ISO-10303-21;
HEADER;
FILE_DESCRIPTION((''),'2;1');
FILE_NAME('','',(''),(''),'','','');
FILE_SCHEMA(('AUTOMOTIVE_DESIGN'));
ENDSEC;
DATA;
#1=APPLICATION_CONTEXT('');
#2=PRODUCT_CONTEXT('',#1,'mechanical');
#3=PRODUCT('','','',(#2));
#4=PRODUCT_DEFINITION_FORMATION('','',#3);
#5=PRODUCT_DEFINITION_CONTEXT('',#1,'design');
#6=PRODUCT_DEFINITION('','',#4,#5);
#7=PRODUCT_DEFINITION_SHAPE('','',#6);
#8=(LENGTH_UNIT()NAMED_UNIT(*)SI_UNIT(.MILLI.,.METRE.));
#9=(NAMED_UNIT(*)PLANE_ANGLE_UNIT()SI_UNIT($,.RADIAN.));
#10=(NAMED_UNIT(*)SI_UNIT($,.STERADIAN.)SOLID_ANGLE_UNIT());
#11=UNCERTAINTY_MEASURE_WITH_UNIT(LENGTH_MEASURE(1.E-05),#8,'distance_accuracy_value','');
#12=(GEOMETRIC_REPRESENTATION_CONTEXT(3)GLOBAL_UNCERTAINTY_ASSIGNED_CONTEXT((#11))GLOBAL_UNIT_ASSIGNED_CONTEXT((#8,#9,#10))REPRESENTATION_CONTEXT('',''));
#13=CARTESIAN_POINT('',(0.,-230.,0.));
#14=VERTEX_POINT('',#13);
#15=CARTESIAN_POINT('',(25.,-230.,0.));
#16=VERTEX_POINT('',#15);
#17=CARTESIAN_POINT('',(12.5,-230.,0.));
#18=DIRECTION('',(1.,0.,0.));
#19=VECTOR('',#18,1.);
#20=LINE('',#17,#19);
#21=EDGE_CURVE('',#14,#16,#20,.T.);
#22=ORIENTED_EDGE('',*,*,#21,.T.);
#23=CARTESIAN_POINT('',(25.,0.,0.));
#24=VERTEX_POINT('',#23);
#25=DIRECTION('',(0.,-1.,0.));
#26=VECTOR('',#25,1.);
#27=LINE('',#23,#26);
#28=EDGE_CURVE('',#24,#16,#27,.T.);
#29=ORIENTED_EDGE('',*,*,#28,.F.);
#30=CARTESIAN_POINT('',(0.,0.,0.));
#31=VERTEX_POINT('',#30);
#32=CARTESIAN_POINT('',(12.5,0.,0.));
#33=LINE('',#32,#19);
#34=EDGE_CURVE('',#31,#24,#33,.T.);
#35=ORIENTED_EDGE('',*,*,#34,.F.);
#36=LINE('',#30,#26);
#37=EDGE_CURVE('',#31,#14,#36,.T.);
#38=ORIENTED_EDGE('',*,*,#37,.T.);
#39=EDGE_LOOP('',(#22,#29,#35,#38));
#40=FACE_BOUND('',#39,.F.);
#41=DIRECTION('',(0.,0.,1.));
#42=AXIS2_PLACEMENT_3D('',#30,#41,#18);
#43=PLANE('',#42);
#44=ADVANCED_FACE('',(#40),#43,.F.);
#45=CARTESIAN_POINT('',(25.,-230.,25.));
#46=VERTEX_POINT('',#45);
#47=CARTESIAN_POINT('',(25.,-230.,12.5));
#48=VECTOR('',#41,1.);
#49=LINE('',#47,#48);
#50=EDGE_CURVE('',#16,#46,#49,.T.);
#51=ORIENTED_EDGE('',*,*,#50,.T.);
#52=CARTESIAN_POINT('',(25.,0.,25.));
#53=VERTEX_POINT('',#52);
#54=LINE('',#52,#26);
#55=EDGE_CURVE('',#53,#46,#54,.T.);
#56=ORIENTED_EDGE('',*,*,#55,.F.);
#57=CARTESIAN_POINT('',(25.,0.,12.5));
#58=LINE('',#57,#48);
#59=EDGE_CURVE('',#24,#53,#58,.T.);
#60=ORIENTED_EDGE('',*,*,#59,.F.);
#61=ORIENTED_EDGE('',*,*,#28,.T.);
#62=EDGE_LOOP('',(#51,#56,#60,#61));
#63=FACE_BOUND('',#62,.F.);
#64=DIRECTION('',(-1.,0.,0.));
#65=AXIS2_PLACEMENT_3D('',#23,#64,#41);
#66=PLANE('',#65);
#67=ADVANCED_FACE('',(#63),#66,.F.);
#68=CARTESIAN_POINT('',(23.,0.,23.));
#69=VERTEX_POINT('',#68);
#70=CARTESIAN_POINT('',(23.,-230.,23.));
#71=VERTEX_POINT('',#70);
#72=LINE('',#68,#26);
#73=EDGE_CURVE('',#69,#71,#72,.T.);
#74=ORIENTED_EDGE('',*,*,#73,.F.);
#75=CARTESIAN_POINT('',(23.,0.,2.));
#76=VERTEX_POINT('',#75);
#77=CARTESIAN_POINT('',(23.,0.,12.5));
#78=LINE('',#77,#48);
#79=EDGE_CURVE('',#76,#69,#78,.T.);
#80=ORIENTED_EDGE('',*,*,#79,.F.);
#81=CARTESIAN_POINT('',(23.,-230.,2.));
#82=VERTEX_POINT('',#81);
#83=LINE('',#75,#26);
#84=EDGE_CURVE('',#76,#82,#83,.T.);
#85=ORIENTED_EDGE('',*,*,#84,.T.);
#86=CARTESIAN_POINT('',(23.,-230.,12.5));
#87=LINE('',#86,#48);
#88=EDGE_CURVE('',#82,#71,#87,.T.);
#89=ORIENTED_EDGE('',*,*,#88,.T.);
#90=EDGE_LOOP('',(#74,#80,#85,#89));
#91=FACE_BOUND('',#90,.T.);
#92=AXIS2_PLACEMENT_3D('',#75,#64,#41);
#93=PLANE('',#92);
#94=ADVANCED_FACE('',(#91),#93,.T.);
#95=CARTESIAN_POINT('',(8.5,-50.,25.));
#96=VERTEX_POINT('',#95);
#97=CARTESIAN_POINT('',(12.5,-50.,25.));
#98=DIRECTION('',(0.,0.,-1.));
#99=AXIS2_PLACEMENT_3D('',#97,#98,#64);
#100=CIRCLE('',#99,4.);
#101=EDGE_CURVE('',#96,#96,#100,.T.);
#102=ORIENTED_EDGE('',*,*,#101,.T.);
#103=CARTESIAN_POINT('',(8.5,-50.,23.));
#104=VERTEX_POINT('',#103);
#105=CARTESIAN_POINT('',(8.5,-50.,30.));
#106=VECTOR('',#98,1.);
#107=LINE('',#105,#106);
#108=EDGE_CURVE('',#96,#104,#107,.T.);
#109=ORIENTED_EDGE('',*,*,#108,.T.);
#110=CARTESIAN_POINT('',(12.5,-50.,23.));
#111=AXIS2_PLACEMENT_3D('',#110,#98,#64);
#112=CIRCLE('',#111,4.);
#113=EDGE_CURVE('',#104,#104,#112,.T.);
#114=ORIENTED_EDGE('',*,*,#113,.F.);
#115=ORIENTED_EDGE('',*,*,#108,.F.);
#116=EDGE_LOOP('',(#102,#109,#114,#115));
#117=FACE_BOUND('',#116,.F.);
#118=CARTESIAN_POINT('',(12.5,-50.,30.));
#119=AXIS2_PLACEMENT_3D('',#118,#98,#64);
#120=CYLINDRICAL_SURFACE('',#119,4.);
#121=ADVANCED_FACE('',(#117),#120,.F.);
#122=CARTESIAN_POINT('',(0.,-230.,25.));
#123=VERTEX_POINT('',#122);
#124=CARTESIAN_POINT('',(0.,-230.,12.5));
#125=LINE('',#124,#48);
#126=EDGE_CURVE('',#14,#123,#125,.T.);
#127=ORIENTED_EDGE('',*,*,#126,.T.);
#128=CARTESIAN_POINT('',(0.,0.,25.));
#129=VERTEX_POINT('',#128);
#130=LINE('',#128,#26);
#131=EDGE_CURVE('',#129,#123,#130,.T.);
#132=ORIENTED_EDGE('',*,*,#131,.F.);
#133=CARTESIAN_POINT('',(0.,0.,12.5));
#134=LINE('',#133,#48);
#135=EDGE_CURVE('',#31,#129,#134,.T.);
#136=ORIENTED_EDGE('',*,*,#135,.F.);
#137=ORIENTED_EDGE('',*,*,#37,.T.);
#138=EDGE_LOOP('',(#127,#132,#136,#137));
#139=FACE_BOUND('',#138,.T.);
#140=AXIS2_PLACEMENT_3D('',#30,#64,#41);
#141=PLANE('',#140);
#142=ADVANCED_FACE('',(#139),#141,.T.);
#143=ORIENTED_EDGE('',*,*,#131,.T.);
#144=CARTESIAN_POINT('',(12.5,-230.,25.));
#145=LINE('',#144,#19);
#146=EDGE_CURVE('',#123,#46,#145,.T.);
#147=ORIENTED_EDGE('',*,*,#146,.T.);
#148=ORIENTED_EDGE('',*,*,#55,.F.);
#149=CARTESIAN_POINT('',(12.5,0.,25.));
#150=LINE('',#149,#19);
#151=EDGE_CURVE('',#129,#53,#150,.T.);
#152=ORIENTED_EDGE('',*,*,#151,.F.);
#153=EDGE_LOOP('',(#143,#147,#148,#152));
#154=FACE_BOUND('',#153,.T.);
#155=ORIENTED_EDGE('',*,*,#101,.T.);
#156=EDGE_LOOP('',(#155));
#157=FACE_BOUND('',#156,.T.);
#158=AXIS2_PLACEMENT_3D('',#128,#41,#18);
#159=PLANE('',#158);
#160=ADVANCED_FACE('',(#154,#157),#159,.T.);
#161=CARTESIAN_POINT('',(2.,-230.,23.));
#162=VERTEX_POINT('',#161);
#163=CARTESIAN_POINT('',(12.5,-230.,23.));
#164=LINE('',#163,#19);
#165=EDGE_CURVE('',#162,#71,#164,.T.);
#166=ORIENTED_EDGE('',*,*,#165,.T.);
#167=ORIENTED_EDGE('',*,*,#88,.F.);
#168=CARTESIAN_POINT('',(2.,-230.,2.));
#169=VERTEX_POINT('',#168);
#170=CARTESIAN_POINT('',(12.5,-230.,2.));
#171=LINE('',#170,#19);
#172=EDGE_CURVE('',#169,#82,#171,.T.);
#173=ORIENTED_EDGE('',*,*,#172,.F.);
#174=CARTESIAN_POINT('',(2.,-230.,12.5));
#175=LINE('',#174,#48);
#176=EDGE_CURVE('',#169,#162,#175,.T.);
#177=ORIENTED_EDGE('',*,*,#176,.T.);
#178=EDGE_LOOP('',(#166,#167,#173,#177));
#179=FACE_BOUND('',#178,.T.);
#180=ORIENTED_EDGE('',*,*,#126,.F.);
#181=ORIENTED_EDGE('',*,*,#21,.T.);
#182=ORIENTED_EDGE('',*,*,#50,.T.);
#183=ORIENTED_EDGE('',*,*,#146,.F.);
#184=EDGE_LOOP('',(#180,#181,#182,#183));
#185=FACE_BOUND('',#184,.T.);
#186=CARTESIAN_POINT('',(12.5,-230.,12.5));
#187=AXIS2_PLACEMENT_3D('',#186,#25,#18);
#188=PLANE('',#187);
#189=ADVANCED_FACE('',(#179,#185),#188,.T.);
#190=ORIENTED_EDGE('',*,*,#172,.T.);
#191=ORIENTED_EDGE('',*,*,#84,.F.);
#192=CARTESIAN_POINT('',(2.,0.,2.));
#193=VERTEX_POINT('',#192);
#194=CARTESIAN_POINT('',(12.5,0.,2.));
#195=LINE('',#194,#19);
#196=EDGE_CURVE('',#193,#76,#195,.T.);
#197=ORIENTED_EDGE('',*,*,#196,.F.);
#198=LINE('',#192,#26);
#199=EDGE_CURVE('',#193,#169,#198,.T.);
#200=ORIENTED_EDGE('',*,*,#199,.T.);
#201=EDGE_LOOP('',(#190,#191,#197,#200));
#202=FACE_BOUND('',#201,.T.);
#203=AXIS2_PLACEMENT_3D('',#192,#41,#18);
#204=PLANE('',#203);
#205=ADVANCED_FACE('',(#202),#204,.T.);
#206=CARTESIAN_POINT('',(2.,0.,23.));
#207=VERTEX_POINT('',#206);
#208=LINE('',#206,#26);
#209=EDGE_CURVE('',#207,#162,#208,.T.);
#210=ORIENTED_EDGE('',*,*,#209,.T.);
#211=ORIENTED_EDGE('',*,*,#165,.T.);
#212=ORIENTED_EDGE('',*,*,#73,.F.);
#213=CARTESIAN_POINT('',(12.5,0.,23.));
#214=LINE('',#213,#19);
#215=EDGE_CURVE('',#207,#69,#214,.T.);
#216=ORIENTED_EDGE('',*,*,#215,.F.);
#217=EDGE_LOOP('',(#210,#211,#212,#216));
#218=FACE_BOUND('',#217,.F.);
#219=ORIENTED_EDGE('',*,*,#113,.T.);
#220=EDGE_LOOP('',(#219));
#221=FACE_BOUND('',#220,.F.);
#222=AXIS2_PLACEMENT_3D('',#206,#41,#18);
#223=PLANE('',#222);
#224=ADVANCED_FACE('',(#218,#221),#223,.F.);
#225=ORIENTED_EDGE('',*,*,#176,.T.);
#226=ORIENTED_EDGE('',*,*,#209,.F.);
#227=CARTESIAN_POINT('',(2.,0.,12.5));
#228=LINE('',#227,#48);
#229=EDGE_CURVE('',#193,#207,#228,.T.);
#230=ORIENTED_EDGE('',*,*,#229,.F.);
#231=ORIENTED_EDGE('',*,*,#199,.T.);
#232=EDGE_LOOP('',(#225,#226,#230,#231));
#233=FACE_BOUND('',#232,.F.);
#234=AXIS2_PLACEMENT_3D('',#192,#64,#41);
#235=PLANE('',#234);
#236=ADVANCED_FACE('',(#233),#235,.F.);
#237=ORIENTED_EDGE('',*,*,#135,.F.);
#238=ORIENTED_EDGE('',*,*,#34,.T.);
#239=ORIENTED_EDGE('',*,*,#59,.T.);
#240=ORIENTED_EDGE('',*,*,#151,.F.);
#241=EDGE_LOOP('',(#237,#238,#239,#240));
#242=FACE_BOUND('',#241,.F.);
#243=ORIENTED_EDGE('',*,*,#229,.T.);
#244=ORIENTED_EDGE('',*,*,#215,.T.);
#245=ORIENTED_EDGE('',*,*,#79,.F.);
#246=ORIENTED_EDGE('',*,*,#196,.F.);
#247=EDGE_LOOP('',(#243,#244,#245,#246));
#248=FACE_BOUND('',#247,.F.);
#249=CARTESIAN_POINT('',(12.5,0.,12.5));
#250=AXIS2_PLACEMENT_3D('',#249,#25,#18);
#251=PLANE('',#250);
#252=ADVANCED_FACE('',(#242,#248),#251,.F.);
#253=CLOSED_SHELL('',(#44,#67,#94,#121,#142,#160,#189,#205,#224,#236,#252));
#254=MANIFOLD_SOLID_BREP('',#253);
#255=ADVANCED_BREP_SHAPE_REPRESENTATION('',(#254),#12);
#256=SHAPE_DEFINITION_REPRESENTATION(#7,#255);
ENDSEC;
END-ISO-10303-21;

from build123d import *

# Parameters (mm, degrees)
F0_W     = 25
F0_H     = 25
F0_W_2   = 21
F0_H_2   = 21
F1_DEPTH = 230
F3_D     = 8
F3_DEPTH = 5


with BuildPart() as f1:
    # F0 (on Front) → F1 (new body)
    with BuildSketch(Plane.XZ):
        with Locations((12.5, 12.5)):
            Rectangle(F0_W, F0_H)
        with Locations((12.5, 12.5)):
            Rectangle(F0_W_2, F0_H_2, mode=Mode.SUBTRACT)
    extrude(amount=F1_DEPTH)

    # F3
    with Locations(Plane.XY.offset(25)):
        with Locations((12.5, -50)):
            Hole(F3_D / 2, depth=F3_DEPTH)


solid = f1.part
